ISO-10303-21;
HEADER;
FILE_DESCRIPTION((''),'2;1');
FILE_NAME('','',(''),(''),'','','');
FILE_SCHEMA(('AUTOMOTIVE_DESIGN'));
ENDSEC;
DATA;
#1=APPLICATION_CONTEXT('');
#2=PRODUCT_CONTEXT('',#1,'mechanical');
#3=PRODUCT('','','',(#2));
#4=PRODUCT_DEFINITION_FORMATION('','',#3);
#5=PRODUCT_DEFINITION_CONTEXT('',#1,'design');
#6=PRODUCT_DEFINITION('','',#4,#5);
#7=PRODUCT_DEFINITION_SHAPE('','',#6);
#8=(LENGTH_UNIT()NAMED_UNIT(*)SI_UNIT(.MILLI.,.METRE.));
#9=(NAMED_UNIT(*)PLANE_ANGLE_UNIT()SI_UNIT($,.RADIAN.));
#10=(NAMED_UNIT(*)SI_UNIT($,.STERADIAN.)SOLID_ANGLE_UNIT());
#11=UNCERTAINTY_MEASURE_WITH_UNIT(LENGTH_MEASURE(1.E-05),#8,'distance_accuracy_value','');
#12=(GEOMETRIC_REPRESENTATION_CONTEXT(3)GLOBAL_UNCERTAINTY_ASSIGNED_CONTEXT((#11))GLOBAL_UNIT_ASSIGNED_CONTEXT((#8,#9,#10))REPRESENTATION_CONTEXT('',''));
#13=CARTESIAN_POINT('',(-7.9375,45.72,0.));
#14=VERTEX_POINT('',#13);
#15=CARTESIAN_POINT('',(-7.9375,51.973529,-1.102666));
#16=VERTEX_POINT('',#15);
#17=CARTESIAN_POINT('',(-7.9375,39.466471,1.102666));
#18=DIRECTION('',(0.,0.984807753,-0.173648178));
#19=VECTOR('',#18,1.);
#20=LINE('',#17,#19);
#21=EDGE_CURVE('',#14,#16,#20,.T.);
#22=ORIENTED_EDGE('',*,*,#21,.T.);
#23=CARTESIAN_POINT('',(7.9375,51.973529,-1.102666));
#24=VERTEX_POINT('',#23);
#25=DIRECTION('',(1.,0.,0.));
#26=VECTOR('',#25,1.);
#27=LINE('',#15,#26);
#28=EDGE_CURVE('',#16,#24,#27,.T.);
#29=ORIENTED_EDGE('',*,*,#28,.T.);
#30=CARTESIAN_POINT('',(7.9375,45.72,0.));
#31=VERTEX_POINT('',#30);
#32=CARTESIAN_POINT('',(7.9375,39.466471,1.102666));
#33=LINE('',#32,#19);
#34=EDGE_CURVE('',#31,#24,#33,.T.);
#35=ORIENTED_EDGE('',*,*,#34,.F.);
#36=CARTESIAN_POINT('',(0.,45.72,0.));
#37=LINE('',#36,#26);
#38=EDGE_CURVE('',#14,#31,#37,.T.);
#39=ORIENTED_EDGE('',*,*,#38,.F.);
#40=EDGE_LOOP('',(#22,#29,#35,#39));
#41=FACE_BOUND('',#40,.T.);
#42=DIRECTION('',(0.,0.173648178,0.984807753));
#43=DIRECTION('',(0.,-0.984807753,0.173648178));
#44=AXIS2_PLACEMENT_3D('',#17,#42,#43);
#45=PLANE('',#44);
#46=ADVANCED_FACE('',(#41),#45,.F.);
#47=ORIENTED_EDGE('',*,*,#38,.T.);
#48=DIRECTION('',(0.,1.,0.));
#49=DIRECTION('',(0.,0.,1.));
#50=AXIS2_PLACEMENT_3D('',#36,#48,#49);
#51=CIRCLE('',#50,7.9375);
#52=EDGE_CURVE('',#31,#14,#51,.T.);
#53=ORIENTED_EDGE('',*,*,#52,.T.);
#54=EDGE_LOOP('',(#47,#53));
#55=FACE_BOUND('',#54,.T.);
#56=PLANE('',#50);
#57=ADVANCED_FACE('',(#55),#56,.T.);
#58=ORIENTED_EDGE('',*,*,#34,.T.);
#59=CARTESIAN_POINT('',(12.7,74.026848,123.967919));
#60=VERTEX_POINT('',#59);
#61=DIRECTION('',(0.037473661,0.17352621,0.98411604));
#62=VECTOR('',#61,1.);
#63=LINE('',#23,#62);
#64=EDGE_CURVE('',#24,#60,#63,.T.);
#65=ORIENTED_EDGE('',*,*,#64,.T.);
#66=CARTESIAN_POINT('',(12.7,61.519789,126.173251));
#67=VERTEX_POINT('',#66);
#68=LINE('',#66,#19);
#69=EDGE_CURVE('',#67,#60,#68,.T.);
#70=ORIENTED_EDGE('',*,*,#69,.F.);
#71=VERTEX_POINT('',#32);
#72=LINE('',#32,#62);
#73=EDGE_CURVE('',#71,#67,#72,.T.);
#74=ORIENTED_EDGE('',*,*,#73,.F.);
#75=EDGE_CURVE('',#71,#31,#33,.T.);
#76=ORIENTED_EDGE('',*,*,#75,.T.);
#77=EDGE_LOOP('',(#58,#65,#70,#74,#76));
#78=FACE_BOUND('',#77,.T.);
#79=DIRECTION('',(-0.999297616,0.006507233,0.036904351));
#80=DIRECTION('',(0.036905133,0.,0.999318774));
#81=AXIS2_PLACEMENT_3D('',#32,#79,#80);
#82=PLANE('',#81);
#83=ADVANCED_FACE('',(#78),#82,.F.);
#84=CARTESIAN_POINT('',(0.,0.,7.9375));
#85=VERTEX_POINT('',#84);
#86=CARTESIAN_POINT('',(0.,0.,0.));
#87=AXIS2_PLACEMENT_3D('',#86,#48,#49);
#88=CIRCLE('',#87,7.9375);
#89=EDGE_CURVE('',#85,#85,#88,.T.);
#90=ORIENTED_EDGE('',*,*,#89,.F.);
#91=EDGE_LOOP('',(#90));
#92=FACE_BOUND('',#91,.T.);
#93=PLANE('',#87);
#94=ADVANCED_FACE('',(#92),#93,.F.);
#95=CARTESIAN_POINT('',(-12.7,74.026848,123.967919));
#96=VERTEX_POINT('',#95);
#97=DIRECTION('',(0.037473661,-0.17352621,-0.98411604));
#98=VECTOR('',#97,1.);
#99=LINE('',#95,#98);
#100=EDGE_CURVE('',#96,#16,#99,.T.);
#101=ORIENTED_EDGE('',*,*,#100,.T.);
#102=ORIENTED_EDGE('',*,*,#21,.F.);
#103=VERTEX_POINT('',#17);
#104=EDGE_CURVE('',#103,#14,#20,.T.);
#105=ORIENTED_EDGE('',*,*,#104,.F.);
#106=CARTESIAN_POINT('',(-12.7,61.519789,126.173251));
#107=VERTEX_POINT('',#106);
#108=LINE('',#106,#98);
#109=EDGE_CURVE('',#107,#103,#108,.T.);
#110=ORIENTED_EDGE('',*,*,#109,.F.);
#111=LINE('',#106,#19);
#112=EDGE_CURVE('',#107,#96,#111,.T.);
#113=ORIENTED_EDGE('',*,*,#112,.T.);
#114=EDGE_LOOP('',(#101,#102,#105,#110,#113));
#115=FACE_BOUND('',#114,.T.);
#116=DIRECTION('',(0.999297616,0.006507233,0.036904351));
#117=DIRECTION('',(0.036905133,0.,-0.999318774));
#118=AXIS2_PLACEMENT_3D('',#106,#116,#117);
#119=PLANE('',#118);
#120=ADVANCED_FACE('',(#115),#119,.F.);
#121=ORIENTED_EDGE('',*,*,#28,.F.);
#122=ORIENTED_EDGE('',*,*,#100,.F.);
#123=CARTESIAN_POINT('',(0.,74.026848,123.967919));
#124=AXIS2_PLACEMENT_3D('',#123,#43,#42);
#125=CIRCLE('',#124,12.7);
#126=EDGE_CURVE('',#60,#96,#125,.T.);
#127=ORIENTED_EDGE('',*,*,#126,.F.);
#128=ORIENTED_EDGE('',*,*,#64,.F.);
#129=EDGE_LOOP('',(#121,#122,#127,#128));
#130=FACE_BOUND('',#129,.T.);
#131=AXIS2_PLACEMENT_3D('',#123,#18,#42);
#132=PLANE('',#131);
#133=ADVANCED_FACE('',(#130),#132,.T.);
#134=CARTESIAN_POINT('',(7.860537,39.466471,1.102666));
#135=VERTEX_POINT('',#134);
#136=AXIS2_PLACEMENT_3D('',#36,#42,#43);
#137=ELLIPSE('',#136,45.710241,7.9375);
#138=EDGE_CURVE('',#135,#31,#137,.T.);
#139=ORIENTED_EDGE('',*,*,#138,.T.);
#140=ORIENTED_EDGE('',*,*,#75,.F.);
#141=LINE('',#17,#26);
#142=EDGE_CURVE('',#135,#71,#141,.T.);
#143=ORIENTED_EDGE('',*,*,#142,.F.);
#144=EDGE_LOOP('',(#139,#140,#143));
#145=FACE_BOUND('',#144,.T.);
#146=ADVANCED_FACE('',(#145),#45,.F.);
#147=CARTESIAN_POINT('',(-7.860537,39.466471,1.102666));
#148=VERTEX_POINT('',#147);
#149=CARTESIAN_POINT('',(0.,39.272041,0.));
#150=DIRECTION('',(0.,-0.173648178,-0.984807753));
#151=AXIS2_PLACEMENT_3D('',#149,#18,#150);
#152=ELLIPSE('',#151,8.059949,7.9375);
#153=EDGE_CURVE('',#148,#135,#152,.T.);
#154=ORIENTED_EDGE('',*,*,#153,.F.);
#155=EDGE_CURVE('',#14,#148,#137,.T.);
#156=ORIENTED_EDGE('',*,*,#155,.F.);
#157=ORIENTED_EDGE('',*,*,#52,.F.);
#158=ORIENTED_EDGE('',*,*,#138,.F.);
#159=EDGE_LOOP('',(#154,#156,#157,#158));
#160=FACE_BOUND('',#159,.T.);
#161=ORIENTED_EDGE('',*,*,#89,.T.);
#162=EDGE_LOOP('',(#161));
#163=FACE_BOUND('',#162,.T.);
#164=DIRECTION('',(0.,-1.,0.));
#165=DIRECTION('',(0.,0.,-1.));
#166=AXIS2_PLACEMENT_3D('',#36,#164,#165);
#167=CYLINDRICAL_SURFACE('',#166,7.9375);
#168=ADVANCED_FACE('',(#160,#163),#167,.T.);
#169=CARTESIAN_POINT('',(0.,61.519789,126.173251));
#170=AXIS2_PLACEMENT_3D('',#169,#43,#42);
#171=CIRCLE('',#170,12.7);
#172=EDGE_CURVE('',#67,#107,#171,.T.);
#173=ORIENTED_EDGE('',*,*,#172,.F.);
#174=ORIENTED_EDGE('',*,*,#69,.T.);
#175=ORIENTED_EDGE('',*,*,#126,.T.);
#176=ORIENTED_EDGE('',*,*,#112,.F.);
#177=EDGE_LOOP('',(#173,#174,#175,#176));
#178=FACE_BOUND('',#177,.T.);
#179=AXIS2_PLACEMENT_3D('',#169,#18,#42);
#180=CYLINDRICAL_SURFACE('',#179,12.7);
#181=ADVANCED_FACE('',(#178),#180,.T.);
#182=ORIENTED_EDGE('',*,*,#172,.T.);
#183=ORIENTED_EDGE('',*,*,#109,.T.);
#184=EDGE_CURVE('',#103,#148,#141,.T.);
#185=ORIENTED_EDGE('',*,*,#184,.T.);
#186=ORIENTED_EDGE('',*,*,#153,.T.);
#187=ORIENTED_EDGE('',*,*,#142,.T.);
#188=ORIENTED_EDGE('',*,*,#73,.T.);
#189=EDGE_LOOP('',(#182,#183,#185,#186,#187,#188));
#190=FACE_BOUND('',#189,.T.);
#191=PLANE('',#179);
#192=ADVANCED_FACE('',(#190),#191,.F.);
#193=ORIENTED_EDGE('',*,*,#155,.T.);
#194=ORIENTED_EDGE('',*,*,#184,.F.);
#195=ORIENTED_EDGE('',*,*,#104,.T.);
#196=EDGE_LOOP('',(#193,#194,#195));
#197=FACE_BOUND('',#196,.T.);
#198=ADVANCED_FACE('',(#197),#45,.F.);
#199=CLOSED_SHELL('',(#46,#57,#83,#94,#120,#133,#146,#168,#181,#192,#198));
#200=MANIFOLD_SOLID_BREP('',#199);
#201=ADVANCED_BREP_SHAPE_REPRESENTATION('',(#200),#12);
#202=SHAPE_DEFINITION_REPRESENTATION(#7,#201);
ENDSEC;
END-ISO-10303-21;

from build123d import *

# Parameters (mm, degrees)
SKETCH1_R           = 7.9375
BOSS_EXTRUDE1_DEPTH = 45.72
BOSS_EXTRUDE2_DEPTH = 6.35


with BuildPart() as part:
    # Sketch1 → Boss-Extrude1 (new body)
    with BuildSketch(Plane(origin=(0, 0, 0), x_dir=(1, 0, 0), z_dir=(0, 1, 0))):
        Circle(SKETCH1_R)
    extrude(amount=BOSS_EXTRUDE1_DEPTH)

    # Sketch2 → Boss-Extrude2 (add, symmetric)
    with BuildSketch(Plane(origin=(0, 44.341373311, -7.818580476), x_dir=(1, 0, 0), z_dir=(0, -0.9848077530122086, 0.17364817766692736))):
        with BuildLine():
            Line((-7.9375, 7.939194683), (7.9375, 7.939194683))
            Line((7.9375, 7.939194683), (12.7, 134.939194683))
            ThreePointArc((12.7, 134.939194683), (0, 147.639194683), (-12.7, 134.939194683))
            Line((-12.7, 134.939194683), (-7.9375, 7.939194683))
        make_face()
    extrude(amount=BOSS_EXTRUDE2_DEPTH, both=True)


solid = part.part
